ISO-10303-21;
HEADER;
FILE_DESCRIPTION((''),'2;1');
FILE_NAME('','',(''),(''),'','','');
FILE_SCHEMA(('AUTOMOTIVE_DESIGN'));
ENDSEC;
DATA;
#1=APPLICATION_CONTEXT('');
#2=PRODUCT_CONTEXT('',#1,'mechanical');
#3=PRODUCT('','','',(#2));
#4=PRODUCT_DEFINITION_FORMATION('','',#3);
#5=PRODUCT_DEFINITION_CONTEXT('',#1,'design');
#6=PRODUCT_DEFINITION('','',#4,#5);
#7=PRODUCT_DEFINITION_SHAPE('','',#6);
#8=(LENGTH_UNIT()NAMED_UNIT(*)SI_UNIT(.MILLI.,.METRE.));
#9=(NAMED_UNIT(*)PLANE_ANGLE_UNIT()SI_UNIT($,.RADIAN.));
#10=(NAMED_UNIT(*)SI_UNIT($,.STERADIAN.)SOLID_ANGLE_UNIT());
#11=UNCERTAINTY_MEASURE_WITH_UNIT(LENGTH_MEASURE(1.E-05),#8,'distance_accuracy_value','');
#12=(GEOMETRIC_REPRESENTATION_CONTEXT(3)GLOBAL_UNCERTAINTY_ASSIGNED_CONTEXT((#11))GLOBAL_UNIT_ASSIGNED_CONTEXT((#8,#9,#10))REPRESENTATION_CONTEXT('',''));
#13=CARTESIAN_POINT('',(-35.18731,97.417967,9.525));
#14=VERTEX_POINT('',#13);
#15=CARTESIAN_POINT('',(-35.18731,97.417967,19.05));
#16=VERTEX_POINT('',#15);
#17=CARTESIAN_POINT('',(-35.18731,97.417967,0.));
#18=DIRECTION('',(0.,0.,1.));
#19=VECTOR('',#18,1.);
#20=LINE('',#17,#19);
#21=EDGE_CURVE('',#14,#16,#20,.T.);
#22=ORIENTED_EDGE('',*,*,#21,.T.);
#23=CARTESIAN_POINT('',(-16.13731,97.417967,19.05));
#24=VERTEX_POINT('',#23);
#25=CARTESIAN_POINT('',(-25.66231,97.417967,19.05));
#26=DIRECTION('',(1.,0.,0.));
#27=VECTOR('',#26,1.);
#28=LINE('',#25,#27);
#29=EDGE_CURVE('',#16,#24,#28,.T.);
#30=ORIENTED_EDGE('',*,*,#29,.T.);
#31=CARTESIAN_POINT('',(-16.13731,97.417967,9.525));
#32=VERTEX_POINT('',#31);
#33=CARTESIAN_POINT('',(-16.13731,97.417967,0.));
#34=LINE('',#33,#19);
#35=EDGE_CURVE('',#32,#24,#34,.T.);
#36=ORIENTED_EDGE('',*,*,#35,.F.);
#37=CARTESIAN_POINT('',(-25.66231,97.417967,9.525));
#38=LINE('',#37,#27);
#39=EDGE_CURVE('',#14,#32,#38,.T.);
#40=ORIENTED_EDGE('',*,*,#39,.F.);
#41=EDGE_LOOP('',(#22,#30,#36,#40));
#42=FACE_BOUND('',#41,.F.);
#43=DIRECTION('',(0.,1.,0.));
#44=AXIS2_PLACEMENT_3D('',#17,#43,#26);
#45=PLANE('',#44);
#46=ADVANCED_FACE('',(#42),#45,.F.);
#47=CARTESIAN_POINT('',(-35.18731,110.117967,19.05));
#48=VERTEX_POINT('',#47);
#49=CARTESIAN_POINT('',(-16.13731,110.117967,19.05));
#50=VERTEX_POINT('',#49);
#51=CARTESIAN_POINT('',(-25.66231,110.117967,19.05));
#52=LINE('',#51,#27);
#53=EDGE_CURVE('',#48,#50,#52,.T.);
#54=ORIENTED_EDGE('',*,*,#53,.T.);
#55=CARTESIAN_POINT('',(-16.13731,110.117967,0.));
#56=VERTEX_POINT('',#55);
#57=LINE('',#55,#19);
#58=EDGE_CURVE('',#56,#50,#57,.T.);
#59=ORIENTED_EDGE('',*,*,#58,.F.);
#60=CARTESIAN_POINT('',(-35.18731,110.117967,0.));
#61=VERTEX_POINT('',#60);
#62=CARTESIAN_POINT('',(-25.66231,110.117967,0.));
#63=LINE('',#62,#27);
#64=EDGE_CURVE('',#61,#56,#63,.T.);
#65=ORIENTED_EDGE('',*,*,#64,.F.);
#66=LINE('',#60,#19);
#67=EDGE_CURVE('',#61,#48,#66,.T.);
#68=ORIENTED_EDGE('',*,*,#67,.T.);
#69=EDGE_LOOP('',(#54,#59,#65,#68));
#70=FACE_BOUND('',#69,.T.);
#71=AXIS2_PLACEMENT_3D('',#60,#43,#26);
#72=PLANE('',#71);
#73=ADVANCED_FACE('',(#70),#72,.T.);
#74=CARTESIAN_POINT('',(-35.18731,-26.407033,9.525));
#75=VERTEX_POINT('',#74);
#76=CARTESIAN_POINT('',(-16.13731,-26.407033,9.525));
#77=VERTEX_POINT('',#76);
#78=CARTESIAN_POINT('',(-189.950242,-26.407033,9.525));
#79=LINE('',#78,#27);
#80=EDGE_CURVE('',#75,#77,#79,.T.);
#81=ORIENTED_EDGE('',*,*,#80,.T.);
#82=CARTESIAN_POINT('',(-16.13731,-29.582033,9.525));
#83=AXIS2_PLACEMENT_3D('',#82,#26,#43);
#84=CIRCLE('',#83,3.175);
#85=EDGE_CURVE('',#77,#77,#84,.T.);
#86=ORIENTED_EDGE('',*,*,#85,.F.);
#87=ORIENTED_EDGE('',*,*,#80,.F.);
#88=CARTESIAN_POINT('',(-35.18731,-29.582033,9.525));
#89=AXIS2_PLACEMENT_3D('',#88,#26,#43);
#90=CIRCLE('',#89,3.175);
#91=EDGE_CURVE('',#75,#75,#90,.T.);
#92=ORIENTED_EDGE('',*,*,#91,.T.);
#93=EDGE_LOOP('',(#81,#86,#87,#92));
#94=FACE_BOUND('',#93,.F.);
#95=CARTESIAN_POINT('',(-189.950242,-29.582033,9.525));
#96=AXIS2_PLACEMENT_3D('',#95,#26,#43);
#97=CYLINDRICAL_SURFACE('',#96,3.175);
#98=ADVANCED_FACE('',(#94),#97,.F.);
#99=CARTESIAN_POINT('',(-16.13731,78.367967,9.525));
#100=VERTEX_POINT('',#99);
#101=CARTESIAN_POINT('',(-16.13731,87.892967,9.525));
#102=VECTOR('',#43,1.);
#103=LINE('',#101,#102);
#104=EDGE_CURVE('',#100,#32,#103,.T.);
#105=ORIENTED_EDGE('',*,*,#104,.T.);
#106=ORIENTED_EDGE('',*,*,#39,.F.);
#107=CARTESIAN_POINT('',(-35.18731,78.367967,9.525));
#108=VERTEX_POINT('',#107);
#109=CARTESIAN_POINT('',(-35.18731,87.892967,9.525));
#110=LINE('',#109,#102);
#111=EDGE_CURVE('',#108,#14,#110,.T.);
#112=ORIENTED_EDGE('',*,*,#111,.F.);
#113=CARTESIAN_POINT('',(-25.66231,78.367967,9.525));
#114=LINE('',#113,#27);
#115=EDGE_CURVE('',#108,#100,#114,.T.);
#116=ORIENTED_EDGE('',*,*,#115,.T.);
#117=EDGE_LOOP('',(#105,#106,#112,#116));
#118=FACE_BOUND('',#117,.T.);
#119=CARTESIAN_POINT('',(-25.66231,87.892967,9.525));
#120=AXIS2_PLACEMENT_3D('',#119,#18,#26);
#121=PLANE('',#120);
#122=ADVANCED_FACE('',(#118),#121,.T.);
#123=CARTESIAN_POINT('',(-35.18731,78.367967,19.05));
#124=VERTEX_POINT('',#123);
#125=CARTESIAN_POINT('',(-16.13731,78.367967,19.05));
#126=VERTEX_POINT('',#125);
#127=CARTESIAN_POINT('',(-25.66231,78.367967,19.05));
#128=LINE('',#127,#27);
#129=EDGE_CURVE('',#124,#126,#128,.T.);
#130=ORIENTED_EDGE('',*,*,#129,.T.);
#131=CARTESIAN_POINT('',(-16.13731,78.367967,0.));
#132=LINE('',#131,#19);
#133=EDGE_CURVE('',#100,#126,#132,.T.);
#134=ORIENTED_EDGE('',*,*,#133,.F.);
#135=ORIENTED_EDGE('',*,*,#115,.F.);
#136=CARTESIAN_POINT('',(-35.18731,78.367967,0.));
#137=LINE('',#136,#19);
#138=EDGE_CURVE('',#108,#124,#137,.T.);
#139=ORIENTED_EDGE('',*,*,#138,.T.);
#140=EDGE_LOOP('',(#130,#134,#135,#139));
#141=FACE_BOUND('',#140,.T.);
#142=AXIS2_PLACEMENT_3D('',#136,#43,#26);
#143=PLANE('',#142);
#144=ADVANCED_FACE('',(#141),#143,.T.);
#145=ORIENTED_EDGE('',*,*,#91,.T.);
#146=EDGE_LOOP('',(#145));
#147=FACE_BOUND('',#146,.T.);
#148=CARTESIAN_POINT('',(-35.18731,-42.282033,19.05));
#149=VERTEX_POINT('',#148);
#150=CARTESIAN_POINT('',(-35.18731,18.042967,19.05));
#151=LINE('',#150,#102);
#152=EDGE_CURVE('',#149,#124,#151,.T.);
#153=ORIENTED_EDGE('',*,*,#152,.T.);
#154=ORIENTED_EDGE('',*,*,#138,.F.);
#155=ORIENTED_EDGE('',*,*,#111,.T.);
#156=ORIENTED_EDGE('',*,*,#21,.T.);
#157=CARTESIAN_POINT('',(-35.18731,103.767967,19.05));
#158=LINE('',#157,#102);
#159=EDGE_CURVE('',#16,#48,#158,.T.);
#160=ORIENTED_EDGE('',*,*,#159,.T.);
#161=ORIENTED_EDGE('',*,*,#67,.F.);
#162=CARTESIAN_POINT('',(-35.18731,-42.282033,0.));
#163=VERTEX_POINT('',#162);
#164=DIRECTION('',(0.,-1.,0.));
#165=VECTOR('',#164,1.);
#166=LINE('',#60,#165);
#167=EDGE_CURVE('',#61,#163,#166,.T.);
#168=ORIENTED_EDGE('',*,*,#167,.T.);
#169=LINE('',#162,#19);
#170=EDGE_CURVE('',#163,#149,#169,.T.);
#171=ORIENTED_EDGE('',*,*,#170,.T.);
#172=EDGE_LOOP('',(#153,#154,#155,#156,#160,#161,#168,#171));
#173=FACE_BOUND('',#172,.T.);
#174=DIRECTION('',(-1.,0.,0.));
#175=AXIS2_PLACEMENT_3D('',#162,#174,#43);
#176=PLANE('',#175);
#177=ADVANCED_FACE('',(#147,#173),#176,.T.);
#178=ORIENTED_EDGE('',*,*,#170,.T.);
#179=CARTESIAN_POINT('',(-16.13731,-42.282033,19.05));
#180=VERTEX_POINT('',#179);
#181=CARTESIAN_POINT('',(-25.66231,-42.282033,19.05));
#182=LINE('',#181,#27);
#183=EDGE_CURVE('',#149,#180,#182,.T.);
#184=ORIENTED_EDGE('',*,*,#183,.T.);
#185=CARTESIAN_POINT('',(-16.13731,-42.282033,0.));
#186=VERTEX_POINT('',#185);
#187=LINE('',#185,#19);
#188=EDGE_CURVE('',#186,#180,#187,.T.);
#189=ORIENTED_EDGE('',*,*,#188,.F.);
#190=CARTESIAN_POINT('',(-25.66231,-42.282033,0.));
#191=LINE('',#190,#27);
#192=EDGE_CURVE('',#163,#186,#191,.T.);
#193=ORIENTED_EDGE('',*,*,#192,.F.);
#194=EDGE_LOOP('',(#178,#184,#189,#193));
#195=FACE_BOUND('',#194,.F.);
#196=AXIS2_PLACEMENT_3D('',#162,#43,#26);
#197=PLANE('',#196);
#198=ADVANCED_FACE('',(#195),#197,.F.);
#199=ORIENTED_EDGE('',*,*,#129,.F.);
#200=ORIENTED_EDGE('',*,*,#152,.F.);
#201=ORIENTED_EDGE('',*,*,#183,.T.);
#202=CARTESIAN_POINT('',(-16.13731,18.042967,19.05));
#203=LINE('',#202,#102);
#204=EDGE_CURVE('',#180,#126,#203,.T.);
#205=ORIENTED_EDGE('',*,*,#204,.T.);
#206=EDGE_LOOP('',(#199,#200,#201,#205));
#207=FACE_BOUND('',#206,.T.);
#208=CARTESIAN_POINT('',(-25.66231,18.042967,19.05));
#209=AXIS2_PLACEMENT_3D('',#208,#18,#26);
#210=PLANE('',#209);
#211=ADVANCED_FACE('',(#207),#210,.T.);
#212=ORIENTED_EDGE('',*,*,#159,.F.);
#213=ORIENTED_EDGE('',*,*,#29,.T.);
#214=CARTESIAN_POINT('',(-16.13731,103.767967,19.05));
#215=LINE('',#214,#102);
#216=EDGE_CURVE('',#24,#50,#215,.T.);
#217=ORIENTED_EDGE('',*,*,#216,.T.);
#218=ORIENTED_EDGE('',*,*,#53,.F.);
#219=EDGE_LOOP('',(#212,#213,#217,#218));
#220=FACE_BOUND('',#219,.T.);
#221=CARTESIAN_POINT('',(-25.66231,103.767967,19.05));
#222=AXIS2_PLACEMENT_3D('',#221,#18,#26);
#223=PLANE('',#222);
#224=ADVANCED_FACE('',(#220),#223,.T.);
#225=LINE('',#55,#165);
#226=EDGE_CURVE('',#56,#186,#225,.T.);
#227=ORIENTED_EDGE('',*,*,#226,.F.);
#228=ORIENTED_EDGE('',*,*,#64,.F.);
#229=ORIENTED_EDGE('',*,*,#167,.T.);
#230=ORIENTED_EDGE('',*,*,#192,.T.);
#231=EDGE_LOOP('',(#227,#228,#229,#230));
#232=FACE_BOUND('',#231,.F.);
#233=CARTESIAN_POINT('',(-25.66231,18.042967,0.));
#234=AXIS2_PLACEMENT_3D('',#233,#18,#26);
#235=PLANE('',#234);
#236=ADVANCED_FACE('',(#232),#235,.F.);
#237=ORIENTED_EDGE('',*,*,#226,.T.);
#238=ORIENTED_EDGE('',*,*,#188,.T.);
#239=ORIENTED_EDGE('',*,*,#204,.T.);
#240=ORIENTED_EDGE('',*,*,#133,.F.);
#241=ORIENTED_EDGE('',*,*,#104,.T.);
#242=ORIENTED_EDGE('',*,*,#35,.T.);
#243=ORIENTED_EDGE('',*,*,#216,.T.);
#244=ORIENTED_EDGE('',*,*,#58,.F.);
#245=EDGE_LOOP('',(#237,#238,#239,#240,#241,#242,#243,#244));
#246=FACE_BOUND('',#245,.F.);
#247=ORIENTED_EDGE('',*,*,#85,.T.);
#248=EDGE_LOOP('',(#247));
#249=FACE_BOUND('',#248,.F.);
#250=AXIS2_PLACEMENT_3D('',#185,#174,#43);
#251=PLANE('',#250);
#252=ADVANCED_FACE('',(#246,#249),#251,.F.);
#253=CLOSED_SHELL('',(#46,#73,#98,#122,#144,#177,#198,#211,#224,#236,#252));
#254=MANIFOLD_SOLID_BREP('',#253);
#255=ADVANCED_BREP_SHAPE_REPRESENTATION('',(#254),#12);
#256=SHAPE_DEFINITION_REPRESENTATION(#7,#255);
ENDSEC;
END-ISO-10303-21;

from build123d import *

# Parameters (mm, degrees)
F0_W     = 19.05
F0_H     = 19.05
F1_DEPTH = 9.525
F0_H_2   = 120.65
F0_H_3   = 12.7
F2_DEPTH = 19.05
F4_D     = 6.35


with BuildPart() as f1:
    # F0 (on Top) → F1 (new body)
    with BuildSketch(Plane.XY):
        with Locations((-25.66231, 87.892967)):
            Rectangle(F0_W, F0_H)
    extrude(amount=F1_DEPTH)

    # F0 (on Top) → F2 (join)
    with BuildSketch(Plane.XY):
        with Locations((-25.66231, 18.042967)):
            Rectangle(F0_W, F0_H_2)
        with Locations((-25.66231, 103.767967)):
            Rectangle(F0_W, F0_H_3)
    extrude(amount=F2_DEPTH)

    # F4 (through all)
    with Locations(Plane(origin=(-35.18731, 0, 0), x_dir=(0, -1, 0), z_dir=(-1, 0, 0))):
        with Locations((29.582033, 9.525)):
            Hole(F4_D / 2)


solid = f1.part
